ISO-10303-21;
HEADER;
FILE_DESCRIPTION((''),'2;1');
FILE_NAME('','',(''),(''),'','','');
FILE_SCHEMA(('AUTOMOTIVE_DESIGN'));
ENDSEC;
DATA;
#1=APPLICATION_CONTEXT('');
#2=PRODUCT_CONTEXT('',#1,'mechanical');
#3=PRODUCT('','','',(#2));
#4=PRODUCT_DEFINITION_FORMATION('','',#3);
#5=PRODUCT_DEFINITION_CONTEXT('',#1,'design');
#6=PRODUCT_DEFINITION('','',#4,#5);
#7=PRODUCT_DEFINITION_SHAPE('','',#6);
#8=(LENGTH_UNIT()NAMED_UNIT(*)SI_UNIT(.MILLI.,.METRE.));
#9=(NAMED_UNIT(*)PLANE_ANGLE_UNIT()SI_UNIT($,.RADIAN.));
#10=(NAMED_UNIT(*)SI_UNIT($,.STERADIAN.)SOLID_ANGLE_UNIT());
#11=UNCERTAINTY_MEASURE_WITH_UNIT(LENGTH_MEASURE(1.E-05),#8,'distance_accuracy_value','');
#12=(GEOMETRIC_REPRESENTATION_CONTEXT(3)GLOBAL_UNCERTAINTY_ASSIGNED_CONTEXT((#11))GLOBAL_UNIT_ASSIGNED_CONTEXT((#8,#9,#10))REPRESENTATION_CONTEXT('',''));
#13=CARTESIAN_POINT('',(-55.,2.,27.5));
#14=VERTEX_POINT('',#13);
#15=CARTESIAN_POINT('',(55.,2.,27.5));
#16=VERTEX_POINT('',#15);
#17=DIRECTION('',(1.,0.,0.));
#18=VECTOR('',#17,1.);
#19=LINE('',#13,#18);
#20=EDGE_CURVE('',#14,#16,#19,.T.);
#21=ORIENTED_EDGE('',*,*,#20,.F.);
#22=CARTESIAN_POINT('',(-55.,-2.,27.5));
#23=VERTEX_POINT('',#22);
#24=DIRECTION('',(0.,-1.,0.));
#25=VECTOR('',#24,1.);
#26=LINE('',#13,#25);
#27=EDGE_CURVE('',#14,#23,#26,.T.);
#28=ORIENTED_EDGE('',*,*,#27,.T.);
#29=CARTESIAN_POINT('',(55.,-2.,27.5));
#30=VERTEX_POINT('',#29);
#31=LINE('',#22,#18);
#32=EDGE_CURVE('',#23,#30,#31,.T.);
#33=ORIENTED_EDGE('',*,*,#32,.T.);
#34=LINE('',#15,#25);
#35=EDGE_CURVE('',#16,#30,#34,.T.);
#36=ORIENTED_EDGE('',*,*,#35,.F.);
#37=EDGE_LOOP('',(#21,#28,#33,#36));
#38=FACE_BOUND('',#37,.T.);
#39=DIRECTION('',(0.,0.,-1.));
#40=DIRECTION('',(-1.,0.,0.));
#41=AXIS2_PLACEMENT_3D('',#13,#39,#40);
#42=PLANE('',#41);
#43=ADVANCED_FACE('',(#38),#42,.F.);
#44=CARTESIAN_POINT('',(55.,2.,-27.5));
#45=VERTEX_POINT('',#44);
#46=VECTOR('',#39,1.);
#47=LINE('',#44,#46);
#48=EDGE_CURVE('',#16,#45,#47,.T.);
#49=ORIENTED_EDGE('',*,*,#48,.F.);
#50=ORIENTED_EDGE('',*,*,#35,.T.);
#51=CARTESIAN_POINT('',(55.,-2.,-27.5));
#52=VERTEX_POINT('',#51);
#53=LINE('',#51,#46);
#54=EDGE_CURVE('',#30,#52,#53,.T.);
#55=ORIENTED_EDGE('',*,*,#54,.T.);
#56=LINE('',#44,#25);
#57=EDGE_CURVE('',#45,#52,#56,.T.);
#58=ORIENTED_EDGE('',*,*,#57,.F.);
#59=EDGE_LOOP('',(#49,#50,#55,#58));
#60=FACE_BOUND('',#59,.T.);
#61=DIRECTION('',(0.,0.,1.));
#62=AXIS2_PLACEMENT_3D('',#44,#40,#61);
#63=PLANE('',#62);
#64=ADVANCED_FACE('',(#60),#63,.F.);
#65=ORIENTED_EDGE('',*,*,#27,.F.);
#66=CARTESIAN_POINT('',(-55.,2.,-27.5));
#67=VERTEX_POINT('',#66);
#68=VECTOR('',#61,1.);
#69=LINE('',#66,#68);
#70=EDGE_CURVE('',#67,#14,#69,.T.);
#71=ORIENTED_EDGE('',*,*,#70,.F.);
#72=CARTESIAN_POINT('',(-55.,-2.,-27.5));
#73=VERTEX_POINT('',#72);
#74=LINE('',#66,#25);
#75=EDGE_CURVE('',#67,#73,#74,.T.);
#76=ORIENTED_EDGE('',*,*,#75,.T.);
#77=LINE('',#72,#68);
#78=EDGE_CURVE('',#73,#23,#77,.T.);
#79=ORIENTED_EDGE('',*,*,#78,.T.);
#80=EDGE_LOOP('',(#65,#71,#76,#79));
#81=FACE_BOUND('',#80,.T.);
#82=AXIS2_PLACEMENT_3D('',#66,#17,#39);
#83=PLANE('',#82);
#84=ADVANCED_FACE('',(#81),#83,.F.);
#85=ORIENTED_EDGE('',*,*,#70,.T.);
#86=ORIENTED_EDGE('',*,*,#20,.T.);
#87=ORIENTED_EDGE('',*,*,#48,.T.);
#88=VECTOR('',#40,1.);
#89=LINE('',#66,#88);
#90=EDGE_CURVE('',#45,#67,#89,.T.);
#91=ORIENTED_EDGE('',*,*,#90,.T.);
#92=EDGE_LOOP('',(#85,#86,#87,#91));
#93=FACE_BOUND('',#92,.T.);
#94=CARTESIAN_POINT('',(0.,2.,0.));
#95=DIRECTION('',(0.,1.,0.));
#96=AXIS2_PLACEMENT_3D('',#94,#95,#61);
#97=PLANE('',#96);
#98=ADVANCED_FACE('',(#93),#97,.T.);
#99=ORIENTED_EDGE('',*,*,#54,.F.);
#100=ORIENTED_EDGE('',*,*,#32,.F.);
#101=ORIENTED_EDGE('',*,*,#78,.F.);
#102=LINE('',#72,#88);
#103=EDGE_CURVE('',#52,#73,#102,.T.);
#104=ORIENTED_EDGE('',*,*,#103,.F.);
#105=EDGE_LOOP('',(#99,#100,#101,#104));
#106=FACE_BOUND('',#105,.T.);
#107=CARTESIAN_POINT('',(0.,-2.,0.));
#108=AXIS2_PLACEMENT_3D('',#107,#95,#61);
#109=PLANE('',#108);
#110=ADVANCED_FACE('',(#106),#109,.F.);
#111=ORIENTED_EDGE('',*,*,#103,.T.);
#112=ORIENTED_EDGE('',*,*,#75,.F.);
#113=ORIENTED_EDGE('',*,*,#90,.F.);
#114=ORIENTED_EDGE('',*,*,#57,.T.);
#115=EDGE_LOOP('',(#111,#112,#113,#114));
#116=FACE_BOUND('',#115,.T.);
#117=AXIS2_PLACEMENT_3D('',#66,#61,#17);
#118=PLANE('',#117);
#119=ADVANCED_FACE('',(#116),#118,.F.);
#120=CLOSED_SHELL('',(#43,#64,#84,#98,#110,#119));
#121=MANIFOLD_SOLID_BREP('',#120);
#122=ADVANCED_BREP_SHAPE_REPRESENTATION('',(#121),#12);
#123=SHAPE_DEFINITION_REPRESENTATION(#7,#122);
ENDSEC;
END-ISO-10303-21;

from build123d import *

# Parameters (mm, degrees)
CROQUIS1_W              = 110
CROQUIS1_H              = 55
SALIENTE_EXTRUIR1_DEPTH = 2


with BuildPart() as part:
    # Croquis1 → Saliente-Extruir1 (new, symmetric)
    with BuildSketch(Plane(origin=(0, 0, 0), x_dir=(1, 0, 0), z_dir=(0, 1, 0))):
        Rectangle(CROQUIS1_W, CROQUIS1_H)
    extrude(amount=SALIENTE_EXTRUIR1_DEPTH, both=True)


solid = part.part
